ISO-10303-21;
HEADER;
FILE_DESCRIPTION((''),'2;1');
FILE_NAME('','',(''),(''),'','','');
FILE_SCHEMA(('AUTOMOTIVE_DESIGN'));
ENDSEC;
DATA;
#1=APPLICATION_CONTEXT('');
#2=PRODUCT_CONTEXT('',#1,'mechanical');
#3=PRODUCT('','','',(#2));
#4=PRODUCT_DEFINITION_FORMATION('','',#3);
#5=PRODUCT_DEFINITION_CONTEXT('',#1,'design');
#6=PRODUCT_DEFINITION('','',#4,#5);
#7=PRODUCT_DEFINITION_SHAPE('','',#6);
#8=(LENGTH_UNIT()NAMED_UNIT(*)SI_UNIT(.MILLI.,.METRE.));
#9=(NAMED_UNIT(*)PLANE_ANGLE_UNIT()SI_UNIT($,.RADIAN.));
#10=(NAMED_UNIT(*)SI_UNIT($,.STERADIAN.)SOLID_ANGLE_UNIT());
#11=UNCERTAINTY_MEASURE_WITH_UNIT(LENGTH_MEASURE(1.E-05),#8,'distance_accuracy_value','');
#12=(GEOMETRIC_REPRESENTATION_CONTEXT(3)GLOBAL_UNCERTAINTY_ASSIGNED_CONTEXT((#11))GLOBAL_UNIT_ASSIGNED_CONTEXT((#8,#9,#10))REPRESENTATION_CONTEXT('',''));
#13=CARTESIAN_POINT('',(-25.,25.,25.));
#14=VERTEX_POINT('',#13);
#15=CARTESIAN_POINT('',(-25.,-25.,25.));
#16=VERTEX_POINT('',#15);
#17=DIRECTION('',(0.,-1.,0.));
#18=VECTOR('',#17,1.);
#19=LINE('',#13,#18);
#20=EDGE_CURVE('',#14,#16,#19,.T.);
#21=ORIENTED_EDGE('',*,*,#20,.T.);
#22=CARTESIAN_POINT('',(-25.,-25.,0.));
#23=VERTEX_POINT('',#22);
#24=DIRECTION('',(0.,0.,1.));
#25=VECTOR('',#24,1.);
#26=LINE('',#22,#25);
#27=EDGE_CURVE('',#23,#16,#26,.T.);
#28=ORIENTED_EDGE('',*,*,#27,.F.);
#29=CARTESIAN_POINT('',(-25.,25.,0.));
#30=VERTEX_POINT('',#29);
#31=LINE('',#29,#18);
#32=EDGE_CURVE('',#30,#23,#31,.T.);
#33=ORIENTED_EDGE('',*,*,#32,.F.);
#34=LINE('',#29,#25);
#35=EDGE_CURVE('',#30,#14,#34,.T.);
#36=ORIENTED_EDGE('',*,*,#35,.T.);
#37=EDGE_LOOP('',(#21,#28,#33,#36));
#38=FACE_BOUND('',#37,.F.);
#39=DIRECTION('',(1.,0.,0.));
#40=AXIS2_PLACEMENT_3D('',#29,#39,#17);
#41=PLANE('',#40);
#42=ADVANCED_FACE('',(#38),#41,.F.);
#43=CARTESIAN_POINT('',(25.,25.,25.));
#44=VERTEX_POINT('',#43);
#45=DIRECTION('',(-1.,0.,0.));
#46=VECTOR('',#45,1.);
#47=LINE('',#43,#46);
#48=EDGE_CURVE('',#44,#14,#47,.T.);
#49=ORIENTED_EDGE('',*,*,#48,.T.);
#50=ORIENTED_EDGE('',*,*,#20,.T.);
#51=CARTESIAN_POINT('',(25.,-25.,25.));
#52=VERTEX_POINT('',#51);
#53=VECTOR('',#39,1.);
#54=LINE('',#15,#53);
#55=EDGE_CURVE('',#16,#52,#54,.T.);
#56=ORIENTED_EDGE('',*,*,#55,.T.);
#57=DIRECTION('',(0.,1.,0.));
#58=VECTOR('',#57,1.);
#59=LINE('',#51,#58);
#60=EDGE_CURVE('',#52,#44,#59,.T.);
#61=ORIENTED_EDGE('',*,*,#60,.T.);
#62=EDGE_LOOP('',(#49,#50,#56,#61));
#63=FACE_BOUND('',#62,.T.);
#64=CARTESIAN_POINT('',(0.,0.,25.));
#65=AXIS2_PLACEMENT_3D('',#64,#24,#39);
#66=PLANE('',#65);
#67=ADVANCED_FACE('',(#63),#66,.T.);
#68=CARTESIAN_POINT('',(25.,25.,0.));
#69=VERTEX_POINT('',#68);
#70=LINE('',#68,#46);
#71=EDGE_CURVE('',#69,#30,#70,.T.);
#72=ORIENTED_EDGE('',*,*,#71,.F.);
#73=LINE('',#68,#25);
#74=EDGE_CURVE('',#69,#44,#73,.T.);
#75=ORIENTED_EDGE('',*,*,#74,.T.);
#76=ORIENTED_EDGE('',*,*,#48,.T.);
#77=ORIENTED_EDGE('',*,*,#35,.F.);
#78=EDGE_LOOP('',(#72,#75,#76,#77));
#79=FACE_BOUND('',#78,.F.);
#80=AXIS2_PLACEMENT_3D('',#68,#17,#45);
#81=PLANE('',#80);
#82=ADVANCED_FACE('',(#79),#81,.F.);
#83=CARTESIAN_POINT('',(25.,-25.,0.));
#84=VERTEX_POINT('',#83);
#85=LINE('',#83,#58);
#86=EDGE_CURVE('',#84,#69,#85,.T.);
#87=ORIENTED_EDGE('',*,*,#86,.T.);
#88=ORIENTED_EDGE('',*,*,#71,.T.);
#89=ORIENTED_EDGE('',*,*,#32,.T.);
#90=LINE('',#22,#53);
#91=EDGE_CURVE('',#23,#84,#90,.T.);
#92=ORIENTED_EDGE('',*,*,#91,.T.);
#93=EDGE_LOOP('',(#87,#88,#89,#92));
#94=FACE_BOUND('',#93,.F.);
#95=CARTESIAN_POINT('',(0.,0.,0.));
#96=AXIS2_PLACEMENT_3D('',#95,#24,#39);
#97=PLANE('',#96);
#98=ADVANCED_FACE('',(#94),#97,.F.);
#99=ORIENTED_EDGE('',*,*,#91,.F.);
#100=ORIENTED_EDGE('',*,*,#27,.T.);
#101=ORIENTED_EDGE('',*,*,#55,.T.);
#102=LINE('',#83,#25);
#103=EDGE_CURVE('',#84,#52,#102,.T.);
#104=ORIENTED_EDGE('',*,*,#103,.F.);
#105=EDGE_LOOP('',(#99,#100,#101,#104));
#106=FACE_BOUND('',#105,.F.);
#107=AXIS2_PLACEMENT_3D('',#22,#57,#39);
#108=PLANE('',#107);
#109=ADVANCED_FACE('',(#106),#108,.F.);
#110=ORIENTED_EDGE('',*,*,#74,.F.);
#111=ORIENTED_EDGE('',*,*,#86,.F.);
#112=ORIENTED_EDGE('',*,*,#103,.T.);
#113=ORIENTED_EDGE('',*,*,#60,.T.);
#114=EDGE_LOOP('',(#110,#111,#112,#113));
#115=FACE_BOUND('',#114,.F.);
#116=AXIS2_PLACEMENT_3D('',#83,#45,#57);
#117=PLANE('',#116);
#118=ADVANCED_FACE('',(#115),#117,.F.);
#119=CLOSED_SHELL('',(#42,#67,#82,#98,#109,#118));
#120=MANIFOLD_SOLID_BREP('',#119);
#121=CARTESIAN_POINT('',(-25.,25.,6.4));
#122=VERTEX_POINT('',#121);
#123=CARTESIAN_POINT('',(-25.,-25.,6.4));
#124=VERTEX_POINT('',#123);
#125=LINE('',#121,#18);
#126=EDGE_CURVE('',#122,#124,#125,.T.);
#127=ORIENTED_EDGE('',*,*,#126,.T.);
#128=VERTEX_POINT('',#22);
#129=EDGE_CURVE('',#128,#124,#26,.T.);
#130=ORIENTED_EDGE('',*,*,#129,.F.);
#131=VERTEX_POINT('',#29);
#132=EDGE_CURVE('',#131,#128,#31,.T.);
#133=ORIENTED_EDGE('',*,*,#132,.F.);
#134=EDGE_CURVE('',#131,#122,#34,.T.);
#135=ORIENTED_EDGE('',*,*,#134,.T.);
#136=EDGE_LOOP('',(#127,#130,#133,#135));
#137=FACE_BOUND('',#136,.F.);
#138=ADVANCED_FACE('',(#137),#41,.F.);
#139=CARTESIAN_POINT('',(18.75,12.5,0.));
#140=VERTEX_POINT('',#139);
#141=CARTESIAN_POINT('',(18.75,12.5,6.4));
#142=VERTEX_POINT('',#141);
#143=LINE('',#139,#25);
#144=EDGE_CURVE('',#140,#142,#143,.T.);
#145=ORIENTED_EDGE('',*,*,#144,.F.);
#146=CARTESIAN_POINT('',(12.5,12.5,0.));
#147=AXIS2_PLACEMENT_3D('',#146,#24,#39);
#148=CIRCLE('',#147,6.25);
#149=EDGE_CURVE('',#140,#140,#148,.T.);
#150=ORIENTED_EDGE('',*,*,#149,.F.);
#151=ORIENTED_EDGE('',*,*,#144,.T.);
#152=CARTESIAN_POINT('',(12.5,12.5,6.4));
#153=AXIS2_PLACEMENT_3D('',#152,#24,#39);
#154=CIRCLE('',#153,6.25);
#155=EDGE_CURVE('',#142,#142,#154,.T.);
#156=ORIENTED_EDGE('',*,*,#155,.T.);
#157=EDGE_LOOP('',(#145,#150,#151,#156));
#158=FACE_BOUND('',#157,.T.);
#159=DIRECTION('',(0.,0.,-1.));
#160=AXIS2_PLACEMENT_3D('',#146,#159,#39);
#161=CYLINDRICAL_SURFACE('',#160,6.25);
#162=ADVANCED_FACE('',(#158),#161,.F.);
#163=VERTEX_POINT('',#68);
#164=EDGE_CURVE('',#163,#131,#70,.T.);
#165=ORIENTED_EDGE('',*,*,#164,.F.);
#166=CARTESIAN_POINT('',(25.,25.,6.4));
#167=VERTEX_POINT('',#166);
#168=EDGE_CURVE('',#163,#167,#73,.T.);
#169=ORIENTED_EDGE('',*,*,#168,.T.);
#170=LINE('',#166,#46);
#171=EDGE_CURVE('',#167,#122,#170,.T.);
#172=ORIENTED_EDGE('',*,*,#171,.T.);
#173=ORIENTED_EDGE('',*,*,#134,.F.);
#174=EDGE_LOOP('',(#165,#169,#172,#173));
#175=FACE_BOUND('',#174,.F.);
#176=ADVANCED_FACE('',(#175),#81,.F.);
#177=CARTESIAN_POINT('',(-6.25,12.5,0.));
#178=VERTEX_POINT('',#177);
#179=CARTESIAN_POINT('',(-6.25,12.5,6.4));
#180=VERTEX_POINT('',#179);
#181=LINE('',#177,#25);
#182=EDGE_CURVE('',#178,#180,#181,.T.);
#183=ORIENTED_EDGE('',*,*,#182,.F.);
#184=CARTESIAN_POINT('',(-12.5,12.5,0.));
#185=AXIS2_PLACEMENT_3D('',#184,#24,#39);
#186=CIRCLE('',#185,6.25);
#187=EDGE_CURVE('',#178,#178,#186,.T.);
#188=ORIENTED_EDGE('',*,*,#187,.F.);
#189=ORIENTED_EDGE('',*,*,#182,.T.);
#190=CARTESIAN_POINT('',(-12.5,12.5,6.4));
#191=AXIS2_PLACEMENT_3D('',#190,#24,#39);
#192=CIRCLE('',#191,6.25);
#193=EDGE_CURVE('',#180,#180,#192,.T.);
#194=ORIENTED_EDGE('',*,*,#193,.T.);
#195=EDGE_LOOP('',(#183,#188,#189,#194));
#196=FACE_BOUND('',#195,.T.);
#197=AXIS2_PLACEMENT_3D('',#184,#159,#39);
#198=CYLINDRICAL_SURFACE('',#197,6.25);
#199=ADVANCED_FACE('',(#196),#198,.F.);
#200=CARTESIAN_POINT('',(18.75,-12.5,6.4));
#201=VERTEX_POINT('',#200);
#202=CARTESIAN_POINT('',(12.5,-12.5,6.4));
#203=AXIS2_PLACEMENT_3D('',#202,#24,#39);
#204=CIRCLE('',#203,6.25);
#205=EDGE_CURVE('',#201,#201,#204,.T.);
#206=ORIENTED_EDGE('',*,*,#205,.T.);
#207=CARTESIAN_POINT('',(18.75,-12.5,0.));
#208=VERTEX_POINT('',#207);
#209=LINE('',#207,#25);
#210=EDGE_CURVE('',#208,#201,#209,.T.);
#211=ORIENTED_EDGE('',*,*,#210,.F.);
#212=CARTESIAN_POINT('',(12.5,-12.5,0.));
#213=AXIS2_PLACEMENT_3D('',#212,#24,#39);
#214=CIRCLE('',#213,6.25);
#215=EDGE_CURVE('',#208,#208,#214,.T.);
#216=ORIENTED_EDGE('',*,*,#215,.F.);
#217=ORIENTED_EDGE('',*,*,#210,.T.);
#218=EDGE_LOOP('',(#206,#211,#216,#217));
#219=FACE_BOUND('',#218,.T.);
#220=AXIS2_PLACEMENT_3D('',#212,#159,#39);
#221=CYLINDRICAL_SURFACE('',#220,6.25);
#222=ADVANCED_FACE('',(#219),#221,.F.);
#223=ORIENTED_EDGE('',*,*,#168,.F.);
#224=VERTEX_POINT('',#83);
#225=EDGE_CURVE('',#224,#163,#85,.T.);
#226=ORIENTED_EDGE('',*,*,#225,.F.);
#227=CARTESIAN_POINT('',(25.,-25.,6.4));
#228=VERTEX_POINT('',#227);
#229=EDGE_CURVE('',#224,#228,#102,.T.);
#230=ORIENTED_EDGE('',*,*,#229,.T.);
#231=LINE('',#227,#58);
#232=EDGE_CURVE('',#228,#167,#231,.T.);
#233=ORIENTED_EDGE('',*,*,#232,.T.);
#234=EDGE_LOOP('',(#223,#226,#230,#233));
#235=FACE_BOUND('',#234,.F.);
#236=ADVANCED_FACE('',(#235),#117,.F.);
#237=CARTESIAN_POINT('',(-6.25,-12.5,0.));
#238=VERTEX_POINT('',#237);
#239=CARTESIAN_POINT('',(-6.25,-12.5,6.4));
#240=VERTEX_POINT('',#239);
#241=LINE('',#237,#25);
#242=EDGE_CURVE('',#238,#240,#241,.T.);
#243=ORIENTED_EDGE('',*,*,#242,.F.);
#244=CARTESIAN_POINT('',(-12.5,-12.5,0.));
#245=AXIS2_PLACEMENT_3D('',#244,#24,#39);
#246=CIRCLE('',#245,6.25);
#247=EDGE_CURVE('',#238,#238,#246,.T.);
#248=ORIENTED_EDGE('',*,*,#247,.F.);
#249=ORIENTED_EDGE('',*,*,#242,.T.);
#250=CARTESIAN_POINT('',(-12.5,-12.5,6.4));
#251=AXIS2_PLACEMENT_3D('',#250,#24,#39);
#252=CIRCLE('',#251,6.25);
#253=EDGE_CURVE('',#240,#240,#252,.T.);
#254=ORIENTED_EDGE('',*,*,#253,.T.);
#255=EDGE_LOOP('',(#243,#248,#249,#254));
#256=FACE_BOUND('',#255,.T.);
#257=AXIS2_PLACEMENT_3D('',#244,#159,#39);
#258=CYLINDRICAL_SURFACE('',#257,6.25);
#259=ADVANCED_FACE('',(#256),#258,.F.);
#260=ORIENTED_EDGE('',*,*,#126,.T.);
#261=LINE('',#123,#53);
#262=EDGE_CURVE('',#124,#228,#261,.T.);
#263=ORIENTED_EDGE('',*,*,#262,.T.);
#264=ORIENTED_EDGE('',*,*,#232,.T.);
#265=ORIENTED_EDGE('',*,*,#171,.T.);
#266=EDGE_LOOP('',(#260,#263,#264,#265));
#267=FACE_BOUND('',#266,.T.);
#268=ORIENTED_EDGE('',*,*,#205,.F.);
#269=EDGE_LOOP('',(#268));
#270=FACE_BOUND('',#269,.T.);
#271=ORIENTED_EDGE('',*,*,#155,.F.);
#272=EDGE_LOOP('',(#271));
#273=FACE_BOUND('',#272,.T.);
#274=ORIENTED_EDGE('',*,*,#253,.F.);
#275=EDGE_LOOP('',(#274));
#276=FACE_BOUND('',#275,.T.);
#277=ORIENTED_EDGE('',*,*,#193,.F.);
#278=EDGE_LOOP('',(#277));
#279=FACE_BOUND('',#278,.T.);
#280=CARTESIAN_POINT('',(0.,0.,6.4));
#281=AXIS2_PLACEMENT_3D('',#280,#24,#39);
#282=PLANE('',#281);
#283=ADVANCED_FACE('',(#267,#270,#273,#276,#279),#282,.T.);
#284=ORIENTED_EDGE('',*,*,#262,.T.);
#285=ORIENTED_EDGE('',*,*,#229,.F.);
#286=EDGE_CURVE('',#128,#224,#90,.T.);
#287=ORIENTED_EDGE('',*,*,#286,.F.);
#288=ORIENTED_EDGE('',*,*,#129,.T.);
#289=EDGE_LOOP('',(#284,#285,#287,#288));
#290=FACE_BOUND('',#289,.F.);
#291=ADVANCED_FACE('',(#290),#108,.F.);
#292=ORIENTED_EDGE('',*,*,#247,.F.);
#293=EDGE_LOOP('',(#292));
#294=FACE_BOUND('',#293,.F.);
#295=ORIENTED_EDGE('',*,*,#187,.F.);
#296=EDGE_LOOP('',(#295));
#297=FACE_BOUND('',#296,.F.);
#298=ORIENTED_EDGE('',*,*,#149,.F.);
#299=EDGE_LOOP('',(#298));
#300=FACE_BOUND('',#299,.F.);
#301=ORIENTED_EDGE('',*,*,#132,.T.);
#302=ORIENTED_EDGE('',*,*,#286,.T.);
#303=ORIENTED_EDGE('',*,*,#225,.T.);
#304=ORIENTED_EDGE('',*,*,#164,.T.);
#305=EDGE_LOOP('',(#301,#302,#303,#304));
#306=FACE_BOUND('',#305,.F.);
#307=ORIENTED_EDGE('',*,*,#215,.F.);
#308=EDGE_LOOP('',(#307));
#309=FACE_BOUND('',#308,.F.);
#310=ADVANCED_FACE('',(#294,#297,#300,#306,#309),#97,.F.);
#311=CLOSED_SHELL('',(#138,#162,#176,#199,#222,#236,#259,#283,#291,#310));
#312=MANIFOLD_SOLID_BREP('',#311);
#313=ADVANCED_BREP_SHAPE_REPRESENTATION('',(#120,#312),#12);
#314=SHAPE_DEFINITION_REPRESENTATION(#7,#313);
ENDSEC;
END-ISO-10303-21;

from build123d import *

# Parameters (mm, degrees)
F1_R     = 6.25
F2_DEPTH = 6.4
F3_DEPTH = 25


with BuildPart() as f2:
    # F1 (on Top) → F2 (new body)
    with BuildSketch(Plane.XY):
        Polygon((25, 0), (25, 25), (0, 25), (-25, 25), (-25, 0), (-25, -25), (0, -25), (25, -25), align=None)
        with Locations((-12.5, -12.5)):
            Circle(F1_R, mode=Mode.SUBTRACT)
        with Locations((12.5, -12.5)):
            Circle(F1_R, mode=Mode.SUBTRACT)
        with Locations((-12.5, 12.5)):
            Circle(F1_R, mode=Mode.SUBTRACT)
        with Locations((12.5, 12.5)):
            Circle(F1_R, mode=Mode.SUBTRACT)
    extrude(amount=F2_DEPTH)


with BuildPart() as f3:
    # F1 (on Top) → F3 (new body)
    with BuildSketch(Plane.XY):
        Polygon((25, 0), (25, 25), (0, 25), (-25, 25), (-25, 0), (-25, -25), (0, -25), (25, -25), align=None)
        with Locations((-12.5, -12.5)):
            Circle(F1_R, mode=Mode.SUBTRACT)
        with Locations((12.5, -12.5)):
            Circle(F1_R, mode=Mode.SUBTRACT)
        with Locations((-12.5, 12.5)):
            Circle(F1_R, mode=Mode.SUBTRACT)
        with Locations((12.5, 12.5)):
            Circle(F1_R, mode=Mode.SUBTRACT)
        with Locations((-12.5, -12.5)):
            Circle(F1_R)
        with Locations((12.5, -12.5)):
            Circle(F1_R)
        with Locations((12.5, 12.5)):
            Circle(F1_R)
        with Locations((-12.5, 12.5)):
            Circle(F1_R)
    extrude(amount=F3_DEPTH)


solid = Compound([f2.part, f3.part])
